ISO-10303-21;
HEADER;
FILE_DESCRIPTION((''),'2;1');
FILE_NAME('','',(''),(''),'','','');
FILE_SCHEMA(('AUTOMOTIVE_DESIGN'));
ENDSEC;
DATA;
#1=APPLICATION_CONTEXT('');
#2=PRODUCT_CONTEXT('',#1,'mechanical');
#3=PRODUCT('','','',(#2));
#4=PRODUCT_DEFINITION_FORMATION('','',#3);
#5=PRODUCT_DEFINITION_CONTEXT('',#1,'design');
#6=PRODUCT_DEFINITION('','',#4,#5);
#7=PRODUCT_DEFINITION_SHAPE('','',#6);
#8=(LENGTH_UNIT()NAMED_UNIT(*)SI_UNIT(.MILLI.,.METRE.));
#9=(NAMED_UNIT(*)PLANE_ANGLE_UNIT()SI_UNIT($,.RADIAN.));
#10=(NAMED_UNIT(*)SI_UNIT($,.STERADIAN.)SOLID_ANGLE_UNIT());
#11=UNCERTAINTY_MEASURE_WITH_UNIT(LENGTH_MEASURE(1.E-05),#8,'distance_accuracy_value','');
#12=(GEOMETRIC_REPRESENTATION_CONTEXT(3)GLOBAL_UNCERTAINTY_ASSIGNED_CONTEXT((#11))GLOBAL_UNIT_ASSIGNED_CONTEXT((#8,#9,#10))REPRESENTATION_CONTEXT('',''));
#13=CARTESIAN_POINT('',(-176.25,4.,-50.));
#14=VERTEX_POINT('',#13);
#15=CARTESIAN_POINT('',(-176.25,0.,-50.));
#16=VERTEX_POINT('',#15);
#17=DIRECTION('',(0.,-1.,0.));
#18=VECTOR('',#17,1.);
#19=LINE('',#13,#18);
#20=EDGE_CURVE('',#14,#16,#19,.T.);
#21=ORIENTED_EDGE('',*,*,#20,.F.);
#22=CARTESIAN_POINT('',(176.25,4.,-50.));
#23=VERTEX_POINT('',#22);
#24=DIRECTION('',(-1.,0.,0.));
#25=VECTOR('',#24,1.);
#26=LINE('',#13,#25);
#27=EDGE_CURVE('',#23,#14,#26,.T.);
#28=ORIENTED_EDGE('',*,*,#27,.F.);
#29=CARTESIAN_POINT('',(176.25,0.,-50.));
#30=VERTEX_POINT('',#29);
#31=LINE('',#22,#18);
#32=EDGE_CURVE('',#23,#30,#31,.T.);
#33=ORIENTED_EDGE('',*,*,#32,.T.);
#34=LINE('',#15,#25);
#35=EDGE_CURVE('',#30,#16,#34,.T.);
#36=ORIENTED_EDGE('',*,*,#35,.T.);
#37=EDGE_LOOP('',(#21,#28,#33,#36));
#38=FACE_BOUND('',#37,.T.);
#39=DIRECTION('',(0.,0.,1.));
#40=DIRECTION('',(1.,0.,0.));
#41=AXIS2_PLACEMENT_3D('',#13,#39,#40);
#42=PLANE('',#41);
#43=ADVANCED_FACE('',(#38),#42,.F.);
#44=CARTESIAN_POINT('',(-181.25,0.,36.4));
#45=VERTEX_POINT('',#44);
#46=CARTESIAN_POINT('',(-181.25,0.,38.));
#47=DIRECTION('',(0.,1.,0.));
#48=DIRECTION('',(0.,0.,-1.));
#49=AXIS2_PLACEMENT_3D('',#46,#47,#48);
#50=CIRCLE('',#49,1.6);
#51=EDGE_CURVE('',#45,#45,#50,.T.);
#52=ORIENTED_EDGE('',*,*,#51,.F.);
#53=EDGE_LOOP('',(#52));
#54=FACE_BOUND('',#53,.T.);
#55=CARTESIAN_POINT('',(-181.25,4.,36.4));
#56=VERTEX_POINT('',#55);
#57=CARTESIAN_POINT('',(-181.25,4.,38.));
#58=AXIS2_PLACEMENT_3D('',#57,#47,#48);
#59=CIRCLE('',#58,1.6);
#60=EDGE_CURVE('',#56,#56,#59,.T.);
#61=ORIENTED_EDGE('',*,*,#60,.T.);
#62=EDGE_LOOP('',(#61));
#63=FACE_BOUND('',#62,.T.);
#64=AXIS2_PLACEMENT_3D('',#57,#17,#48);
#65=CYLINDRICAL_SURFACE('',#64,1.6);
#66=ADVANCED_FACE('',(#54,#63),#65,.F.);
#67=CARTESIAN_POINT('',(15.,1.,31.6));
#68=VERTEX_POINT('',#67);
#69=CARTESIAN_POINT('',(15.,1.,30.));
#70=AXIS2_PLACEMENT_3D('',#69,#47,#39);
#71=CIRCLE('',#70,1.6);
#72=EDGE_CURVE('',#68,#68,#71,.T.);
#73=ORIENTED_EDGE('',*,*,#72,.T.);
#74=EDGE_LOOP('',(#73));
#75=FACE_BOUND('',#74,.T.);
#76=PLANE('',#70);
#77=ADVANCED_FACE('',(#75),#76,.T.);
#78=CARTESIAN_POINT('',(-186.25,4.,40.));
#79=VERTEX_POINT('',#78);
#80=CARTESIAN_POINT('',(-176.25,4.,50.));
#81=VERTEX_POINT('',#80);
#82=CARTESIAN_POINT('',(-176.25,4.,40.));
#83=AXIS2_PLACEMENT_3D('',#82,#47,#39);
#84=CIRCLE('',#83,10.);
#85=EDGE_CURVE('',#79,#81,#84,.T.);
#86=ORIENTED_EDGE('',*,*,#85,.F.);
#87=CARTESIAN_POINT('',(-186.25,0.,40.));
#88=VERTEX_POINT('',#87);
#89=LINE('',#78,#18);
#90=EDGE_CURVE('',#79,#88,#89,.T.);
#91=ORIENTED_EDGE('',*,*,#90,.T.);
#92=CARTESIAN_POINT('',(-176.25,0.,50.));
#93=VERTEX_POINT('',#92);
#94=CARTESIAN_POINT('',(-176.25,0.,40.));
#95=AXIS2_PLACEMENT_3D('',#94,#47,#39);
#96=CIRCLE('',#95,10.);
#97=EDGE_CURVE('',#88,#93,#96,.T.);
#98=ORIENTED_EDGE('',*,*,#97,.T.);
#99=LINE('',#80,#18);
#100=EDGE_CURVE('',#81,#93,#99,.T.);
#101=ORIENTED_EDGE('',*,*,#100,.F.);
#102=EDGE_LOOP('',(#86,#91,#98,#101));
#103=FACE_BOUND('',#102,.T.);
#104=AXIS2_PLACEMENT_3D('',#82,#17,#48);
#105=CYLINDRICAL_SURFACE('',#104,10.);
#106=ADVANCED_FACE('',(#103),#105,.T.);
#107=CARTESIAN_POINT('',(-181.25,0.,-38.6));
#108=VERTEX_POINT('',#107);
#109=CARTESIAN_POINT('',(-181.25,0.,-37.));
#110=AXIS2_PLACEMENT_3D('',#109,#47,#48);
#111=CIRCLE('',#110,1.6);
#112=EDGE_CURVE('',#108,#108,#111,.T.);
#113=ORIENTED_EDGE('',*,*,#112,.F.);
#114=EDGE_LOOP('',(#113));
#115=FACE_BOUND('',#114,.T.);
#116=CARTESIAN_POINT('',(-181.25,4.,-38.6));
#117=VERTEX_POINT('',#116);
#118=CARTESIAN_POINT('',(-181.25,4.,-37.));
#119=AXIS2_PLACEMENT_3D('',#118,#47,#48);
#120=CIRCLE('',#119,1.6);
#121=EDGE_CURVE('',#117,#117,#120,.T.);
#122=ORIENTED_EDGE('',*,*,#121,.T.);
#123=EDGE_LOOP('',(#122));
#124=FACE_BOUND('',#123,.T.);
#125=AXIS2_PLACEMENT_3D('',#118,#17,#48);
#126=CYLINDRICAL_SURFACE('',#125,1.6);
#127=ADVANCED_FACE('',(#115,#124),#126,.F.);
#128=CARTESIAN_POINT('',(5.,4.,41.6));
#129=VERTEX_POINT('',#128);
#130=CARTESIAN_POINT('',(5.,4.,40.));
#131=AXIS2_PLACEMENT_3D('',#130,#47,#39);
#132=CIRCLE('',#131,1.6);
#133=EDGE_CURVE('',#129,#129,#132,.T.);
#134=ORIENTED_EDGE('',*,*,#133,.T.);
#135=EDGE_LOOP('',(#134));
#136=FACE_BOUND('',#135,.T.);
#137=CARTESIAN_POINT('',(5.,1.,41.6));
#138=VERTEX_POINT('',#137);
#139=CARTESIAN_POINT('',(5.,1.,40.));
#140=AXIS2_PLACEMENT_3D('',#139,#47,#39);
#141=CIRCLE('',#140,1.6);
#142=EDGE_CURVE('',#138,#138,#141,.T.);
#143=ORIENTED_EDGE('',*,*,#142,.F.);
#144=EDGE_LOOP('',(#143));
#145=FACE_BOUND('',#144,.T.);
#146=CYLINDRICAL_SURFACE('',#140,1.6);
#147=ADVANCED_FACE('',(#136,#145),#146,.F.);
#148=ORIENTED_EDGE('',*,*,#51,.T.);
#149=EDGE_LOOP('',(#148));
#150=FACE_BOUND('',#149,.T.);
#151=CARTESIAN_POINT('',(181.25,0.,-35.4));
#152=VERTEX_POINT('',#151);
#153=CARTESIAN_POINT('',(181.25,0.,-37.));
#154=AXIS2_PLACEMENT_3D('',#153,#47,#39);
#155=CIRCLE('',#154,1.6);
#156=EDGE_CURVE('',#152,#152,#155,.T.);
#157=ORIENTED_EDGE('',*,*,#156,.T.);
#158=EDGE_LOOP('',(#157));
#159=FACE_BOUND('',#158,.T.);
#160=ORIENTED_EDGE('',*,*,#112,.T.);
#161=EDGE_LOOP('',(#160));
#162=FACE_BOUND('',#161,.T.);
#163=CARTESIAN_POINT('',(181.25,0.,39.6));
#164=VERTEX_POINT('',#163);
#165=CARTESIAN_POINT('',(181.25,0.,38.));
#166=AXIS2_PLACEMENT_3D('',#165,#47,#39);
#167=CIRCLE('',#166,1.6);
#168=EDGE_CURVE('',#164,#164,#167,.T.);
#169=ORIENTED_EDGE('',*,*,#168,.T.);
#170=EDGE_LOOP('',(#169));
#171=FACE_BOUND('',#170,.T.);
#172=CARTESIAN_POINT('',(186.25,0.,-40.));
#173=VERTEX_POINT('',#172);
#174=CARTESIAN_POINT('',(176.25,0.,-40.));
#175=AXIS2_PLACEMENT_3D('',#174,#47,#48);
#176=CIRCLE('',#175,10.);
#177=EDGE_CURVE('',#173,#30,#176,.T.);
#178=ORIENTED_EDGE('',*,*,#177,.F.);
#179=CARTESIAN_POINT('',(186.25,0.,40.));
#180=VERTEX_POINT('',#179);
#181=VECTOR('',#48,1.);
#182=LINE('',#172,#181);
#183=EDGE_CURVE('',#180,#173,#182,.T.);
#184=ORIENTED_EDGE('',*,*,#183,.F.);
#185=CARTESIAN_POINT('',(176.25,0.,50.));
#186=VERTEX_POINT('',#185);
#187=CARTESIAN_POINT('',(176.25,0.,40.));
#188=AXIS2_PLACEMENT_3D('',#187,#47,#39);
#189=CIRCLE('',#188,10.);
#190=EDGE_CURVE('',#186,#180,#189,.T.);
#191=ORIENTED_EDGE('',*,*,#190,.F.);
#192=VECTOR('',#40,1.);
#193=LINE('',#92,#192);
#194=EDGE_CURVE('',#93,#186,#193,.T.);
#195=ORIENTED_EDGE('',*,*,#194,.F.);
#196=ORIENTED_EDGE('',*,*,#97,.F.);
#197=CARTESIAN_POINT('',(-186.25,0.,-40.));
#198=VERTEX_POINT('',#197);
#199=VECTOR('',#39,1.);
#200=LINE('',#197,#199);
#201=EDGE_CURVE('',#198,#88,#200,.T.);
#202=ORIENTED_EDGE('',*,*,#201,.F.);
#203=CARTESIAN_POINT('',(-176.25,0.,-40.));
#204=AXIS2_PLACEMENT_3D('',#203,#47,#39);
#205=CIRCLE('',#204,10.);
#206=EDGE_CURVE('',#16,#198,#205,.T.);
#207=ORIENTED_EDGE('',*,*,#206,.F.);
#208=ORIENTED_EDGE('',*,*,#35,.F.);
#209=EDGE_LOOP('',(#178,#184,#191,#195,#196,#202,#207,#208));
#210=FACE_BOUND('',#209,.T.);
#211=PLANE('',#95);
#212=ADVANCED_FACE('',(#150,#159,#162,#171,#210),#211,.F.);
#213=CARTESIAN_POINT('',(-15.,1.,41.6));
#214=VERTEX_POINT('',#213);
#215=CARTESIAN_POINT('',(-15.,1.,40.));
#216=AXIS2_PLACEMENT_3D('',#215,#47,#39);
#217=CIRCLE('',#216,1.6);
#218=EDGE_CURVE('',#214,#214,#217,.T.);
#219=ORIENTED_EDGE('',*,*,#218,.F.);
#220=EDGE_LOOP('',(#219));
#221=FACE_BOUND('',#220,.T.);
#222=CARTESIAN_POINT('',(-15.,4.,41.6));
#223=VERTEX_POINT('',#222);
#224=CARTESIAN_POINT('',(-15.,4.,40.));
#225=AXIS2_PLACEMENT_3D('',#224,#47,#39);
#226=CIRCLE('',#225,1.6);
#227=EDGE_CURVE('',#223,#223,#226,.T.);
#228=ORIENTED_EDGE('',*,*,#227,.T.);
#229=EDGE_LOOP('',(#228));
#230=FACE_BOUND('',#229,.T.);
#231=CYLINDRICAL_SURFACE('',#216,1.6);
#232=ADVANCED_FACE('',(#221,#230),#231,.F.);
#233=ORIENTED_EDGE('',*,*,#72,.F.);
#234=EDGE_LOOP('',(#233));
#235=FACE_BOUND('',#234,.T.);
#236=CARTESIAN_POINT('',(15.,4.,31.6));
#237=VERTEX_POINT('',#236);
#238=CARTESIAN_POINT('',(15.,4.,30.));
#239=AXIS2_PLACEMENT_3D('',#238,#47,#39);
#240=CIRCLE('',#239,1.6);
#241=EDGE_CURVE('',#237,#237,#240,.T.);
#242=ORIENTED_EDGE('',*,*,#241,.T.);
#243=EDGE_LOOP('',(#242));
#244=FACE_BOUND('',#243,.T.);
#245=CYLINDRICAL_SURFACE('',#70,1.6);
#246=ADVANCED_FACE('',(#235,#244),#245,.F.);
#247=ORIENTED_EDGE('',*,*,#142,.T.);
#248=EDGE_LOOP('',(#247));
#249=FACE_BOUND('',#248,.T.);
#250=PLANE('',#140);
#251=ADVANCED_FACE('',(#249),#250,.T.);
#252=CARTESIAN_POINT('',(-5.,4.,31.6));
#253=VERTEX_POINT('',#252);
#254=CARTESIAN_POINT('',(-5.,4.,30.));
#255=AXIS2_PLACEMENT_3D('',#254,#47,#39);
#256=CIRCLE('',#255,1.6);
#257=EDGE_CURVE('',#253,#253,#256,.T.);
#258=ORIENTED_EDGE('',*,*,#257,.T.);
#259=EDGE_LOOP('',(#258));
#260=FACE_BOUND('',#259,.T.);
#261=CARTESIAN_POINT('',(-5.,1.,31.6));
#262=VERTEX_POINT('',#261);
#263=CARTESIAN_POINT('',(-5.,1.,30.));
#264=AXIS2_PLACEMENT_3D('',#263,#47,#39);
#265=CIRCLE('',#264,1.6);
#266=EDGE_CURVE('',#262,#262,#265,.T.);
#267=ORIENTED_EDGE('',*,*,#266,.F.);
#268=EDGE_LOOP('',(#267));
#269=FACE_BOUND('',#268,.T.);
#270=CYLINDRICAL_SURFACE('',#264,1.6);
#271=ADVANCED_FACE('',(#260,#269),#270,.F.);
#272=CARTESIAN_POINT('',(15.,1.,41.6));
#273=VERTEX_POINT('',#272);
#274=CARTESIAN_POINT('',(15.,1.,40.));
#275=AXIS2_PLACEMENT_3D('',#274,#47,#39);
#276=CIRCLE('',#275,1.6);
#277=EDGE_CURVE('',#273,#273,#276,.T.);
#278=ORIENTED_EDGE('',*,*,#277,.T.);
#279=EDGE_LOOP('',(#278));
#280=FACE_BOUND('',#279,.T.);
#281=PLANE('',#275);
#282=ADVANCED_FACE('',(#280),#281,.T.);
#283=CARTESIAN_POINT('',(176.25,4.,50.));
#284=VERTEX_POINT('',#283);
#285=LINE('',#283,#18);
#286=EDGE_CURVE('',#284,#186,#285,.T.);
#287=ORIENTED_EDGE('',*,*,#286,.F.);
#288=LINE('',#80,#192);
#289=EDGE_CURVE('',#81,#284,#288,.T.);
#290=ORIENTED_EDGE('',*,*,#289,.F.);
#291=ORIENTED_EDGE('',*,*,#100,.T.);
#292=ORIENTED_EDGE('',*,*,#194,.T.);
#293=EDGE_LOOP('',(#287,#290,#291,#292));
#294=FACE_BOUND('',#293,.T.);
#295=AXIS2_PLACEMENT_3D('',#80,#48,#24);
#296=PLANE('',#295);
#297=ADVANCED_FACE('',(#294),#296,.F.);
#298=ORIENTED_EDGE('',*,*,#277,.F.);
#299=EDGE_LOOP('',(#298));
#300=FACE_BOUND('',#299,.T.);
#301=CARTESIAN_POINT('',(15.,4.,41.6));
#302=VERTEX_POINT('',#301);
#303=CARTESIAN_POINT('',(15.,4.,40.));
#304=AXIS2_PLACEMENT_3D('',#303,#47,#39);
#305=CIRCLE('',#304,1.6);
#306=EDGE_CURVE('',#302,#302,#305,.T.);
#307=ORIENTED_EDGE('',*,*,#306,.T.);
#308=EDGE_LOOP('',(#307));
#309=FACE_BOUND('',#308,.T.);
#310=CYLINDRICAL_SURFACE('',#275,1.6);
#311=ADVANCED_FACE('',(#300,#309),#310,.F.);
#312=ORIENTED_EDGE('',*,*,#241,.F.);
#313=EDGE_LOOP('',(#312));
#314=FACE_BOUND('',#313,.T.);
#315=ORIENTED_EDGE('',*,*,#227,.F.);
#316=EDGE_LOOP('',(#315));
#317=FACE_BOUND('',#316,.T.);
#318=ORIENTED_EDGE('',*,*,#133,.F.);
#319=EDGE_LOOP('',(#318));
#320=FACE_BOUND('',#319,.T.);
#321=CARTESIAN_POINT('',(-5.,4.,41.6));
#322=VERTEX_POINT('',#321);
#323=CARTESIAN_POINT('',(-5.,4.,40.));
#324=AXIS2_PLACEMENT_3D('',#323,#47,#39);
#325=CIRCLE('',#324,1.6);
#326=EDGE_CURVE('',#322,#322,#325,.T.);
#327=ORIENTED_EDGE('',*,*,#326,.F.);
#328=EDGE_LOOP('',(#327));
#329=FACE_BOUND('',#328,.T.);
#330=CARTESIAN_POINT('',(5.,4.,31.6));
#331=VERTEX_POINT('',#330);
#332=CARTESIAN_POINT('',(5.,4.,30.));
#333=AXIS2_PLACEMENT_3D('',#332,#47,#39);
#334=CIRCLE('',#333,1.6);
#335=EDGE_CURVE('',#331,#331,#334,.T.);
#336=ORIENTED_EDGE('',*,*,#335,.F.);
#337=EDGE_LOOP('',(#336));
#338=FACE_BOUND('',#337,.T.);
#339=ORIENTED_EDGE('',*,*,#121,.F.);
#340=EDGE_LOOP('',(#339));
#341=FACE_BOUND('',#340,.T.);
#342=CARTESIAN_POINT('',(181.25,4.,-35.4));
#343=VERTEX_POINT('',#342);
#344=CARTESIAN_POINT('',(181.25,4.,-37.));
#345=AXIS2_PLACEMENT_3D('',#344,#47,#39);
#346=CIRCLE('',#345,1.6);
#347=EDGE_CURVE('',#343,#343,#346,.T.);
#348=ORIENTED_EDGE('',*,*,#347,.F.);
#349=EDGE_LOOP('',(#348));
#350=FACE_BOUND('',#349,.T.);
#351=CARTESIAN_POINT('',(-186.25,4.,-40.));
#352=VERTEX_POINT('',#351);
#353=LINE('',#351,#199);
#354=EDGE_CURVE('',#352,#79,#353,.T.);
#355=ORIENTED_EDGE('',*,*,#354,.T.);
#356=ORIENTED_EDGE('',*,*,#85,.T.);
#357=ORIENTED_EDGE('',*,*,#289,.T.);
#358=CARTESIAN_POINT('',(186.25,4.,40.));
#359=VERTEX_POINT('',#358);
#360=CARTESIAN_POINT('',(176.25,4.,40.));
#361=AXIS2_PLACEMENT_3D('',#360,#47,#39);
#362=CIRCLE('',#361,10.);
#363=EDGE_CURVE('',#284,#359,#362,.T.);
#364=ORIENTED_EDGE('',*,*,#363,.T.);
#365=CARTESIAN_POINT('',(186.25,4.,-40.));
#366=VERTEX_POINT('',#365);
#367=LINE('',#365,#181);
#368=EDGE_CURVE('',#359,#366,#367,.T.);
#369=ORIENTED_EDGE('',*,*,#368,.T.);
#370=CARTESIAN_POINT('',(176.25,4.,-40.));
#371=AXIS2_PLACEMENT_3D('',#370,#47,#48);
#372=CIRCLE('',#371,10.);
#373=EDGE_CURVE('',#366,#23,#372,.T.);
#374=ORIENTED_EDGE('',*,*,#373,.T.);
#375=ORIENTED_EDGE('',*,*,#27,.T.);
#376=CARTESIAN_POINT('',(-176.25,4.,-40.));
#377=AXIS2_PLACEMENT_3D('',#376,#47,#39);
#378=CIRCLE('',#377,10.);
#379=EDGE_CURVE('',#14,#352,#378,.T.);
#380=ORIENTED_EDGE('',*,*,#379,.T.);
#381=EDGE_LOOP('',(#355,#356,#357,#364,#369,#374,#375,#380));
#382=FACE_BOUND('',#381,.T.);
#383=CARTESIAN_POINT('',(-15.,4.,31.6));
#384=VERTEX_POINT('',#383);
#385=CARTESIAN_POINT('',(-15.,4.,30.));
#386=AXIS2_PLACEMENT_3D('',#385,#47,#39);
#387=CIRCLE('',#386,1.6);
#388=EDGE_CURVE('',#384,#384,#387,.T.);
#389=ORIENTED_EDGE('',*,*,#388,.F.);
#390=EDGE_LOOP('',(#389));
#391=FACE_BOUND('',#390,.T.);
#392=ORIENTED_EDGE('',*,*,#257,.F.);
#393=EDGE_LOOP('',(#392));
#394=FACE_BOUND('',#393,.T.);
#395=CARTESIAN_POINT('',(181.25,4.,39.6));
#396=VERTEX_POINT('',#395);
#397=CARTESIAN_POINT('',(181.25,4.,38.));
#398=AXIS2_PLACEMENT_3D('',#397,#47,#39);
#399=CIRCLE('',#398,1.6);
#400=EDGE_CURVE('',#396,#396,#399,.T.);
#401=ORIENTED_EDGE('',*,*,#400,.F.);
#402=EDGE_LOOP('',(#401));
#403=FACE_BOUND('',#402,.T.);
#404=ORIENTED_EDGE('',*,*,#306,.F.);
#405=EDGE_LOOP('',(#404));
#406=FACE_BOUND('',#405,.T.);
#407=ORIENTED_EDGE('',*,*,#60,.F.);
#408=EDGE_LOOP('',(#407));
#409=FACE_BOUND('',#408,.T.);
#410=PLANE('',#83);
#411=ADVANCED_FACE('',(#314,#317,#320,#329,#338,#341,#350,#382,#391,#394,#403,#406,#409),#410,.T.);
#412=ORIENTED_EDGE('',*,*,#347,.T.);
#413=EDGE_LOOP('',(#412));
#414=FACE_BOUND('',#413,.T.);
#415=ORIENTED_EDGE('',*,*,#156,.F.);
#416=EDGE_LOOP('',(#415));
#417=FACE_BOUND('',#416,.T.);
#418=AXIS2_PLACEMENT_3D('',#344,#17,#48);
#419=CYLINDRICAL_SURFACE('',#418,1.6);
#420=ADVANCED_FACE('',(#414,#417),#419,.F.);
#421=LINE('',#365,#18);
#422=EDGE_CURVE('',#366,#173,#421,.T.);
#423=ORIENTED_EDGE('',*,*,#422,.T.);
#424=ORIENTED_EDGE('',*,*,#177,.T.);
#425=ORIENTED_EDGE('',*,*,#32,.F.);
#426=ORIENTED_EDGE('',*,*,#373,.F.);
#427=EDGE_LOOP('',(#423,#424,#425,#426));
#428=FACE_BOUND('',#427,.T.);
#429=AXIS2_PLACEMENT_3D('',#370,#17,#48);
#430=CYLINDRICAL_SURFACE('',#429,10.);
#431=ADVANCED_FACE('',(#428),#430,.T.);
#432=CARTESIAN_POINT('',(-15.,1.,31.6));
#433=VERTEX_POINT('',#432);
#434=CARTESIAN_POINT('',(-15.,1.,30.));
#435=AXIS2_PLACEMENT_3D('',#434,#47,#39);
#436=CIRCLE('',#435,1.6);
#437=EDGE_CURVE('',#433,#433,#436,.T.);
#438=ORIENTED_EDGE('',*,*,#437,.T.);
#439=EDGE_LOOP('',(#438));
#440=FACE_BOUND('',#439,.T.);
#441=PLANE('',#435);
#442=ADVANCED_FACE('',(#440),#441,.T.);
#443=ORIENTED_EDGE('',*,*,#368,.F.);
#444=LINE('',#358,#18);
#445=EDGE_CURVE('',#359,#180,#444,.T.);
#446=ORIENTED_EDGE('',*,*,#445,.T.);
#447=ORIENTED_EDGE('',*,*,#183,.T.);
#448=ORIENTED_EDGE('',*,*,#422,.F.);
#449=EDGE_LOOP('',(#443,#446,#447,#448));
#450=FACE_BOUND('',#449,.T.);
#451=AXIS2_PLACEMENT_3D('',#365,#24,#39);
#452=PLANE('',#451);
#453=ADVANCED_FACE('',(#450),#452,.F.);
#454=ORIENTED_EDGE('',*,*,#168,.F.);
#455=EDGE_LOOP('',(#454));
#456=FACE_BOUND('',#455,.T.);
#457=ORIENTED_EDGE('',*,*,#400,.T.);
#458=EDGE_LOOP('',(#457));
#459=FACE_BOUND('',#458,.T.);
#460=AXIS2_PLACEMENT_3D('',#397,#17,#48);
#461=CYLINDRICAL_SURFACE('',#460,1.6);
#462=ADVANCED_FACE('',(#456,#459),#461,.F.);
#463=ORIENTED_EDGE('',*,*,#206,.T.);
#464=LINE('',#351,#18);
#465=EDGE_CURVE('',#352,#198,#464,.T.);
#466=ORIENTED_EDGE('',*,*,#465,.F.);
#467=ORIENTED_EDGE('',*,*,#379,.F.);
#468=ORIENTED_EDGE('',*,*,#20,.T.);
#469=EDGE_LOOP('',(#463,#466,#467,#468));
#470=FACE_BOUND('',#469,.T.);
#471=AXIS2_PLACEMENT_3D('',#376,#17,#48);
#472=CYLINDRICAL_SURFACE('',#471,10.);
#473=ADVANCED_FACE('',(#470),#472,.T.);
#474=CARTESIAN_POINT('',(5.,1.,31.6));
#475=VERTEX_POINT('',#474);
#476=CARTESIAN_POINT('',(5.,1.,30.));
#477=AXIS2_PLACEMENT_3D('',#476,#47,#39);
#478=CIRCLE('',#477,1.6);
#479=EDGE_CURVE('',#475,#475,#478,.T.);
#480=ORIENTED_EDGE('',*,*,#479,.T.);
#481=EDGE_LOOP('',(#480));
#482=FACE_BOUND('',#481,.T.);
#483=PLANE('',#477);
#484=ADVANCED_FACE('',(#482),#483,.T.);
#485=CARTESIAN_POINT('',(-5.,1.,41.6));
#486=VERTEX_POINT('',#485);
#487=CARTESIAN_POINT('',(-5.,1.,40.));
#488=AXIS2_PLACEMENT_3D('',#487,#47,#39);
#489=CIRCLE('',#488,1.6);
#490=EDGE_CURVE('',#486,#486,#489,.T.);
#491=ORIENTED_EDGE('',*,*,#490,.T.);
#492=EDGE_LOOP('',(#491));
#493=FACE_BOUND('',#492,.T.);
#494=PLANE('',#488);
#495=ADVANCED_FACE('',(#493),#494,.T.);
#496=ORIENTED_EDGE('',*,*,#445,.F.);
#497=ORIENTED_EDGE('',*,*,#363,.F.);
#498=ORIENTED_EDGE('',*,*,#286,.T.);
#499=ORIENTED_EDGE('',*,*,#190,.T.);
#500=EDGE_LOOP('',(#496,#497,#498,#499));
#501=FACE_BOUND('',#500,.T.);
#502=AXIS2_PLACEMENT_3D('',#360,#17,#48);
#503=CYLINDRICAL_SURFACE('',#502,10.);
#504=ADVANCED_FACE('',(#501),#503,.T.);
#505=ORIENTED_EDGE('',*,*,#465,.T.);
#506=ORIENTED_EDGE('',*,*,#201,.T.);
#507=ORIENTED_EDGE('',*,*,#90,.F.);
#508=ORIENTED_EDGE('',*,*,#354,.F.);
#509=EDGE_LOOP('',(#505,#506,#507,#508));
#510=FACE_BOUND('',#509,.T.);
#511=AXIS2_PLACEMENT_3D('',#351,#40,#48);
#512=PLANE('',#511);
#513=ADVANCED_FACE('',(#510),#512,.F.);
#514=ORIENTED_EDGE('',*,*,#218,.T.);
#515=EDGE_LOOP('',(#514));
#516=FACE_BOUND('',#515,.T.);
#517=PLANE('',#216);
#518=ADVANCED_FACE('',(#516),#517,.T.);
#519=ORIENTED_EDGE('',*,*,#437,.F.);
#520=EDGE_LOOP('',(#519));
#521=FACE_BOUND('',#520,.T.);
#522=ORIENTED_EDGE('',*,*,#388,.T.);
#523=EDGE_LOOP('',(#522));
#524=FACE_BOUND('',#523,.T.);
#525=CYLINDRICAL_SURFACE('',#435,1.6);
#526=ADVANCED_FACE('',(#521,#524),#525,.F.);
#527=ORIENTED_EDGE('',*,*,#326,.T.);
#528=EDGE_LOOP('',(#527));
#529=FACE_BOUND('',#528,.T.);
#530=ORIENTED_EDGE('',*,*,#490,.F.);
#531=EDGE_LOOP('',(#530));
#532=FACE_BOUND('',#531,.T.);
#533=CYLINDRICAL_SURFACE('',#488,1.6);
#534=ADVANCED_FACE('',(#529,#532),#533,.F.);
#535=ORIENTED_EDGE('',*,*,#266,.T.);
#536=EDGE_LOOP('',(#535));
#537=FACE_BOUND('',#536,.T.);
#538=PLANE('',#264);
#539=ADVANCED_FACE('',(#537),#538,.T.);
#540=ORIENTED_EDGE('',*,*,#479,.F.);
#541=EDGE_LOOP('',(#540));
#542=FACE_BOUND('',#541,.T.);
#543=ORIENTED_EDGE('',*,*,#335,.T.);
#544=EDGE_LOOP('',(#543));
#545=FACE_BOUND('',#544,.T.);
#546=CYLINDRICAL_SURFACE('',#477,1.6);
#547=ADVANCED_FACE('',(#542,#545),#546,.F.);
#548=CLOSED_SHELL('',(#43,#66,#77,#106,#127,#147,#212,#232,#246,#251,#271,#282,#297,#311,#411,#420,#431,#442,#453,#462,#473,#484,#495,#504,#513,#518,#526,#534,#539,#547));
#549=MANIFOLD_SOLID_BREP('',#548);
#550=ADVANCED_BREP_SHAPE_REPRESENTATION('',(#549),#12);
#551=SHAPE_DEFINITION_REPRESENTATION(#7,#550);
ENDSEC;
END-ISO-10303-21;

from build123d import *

# Parameters (mm, degrees)
SKETCH_1_R          = 1.6
EXTRUDE_1_DEPTH     = 4
SKETCH_2_R          = 1.6
CUT_EXTRUDE_1_DEPTH = 3


with BuildPart() as part:
    # 草图1 → 凸台-拉伸1 (new body)
    with BuildSketch(Plane(origin=(0, 0, 0), x_dir=(1, 0, 0), z_dir=(0, 1, 0))):
        with BuildLine():
            Line((-176.25, 50), (176.25, 50))
            ThreePointArc((176.25, 50), (183.321067812, 47.071067812), (186.25, 40))
            Line((186.25, 40), (186.25, -40))
            ThreePointArc((186.25, -40), (183.321067812, -47.071067812), (176.25, -50))
            Line((176.25, -50), (-176.25, -50))
            ThreePointArc((-176.25, -50), (-183.321067812, -47.071067812), (-186.25, -40))
            Line((-186.25, -40), (-186.25, 40))
            ThreePointArc((-186.25, 40), (-183.321067812, 47.071067812), (-176.25, 50))
        make_face()
        with Locations(Location((181.25, -38, 0), (0, 0, 270))):
            Circle(SKETCH_1_R, mode=Mode.SUBTRACT)
        with Locations(Location((181.25, 37, 0), (0, 0, 270))):
            Circle(SKETCH_1_R, mode=Mode.SUBTRACT)
        with Locations(Location((-181.25, -38, 0), (0, 0, 90))):
            Circle(SKETCH_1_R, mode=Mode.SUBTRACT)
        with Locations(Location((-181.25, 37, 0), (0, 0, 90))):
            Circle(SKETCH_1_R, mode=Mode.SUBTRACT)
    extrude(amount=EXTRUDE_1_DEPTH)

    # 草图2 → 切除-拉伸1 (cut)
    with BuildSketch(Plane(origin=(0, 4, 0), x_dir=(1, 0, 0), z_dir=(0, 1, 0))):
        with Locations(Location((-15, -30, 0), (0, 0, 270))):
            Circle(SKETCH_2_R)
        with Locations(Location((15, -30, 0), (0, 0, 270))):
            Circle(SKETCH_2_R)
        with Locations(Location((15, -40, 0), (0, 0, 270))):
            Circle(SKETCH_2_R)
        with Locations(Location((-15, -40, 0), (0, 0, 270))):
            Circle(SKETCH_2_R)
        with Locations(Location((-5, -30, 0), (0, 0, 270))):
            Circle(SKETCH_2_R)
        with Locations(Location((5, -30, 0), (0, 0, 270))):
            Circle(SKETCH_2_R)
        with Locations(Location((-5, -40, 0), (0, 0, 270))):
            Circle(SKETCH_2_R)
        with Locations(Location((5, -40, 0), (0, 0, 270))):
            Circle(SKETCH_2_R)
    extrude(amount=-CUT_EXTRUDE_1_DEPTH, mode=Mode.SUBTRACT)


solid = part.part
